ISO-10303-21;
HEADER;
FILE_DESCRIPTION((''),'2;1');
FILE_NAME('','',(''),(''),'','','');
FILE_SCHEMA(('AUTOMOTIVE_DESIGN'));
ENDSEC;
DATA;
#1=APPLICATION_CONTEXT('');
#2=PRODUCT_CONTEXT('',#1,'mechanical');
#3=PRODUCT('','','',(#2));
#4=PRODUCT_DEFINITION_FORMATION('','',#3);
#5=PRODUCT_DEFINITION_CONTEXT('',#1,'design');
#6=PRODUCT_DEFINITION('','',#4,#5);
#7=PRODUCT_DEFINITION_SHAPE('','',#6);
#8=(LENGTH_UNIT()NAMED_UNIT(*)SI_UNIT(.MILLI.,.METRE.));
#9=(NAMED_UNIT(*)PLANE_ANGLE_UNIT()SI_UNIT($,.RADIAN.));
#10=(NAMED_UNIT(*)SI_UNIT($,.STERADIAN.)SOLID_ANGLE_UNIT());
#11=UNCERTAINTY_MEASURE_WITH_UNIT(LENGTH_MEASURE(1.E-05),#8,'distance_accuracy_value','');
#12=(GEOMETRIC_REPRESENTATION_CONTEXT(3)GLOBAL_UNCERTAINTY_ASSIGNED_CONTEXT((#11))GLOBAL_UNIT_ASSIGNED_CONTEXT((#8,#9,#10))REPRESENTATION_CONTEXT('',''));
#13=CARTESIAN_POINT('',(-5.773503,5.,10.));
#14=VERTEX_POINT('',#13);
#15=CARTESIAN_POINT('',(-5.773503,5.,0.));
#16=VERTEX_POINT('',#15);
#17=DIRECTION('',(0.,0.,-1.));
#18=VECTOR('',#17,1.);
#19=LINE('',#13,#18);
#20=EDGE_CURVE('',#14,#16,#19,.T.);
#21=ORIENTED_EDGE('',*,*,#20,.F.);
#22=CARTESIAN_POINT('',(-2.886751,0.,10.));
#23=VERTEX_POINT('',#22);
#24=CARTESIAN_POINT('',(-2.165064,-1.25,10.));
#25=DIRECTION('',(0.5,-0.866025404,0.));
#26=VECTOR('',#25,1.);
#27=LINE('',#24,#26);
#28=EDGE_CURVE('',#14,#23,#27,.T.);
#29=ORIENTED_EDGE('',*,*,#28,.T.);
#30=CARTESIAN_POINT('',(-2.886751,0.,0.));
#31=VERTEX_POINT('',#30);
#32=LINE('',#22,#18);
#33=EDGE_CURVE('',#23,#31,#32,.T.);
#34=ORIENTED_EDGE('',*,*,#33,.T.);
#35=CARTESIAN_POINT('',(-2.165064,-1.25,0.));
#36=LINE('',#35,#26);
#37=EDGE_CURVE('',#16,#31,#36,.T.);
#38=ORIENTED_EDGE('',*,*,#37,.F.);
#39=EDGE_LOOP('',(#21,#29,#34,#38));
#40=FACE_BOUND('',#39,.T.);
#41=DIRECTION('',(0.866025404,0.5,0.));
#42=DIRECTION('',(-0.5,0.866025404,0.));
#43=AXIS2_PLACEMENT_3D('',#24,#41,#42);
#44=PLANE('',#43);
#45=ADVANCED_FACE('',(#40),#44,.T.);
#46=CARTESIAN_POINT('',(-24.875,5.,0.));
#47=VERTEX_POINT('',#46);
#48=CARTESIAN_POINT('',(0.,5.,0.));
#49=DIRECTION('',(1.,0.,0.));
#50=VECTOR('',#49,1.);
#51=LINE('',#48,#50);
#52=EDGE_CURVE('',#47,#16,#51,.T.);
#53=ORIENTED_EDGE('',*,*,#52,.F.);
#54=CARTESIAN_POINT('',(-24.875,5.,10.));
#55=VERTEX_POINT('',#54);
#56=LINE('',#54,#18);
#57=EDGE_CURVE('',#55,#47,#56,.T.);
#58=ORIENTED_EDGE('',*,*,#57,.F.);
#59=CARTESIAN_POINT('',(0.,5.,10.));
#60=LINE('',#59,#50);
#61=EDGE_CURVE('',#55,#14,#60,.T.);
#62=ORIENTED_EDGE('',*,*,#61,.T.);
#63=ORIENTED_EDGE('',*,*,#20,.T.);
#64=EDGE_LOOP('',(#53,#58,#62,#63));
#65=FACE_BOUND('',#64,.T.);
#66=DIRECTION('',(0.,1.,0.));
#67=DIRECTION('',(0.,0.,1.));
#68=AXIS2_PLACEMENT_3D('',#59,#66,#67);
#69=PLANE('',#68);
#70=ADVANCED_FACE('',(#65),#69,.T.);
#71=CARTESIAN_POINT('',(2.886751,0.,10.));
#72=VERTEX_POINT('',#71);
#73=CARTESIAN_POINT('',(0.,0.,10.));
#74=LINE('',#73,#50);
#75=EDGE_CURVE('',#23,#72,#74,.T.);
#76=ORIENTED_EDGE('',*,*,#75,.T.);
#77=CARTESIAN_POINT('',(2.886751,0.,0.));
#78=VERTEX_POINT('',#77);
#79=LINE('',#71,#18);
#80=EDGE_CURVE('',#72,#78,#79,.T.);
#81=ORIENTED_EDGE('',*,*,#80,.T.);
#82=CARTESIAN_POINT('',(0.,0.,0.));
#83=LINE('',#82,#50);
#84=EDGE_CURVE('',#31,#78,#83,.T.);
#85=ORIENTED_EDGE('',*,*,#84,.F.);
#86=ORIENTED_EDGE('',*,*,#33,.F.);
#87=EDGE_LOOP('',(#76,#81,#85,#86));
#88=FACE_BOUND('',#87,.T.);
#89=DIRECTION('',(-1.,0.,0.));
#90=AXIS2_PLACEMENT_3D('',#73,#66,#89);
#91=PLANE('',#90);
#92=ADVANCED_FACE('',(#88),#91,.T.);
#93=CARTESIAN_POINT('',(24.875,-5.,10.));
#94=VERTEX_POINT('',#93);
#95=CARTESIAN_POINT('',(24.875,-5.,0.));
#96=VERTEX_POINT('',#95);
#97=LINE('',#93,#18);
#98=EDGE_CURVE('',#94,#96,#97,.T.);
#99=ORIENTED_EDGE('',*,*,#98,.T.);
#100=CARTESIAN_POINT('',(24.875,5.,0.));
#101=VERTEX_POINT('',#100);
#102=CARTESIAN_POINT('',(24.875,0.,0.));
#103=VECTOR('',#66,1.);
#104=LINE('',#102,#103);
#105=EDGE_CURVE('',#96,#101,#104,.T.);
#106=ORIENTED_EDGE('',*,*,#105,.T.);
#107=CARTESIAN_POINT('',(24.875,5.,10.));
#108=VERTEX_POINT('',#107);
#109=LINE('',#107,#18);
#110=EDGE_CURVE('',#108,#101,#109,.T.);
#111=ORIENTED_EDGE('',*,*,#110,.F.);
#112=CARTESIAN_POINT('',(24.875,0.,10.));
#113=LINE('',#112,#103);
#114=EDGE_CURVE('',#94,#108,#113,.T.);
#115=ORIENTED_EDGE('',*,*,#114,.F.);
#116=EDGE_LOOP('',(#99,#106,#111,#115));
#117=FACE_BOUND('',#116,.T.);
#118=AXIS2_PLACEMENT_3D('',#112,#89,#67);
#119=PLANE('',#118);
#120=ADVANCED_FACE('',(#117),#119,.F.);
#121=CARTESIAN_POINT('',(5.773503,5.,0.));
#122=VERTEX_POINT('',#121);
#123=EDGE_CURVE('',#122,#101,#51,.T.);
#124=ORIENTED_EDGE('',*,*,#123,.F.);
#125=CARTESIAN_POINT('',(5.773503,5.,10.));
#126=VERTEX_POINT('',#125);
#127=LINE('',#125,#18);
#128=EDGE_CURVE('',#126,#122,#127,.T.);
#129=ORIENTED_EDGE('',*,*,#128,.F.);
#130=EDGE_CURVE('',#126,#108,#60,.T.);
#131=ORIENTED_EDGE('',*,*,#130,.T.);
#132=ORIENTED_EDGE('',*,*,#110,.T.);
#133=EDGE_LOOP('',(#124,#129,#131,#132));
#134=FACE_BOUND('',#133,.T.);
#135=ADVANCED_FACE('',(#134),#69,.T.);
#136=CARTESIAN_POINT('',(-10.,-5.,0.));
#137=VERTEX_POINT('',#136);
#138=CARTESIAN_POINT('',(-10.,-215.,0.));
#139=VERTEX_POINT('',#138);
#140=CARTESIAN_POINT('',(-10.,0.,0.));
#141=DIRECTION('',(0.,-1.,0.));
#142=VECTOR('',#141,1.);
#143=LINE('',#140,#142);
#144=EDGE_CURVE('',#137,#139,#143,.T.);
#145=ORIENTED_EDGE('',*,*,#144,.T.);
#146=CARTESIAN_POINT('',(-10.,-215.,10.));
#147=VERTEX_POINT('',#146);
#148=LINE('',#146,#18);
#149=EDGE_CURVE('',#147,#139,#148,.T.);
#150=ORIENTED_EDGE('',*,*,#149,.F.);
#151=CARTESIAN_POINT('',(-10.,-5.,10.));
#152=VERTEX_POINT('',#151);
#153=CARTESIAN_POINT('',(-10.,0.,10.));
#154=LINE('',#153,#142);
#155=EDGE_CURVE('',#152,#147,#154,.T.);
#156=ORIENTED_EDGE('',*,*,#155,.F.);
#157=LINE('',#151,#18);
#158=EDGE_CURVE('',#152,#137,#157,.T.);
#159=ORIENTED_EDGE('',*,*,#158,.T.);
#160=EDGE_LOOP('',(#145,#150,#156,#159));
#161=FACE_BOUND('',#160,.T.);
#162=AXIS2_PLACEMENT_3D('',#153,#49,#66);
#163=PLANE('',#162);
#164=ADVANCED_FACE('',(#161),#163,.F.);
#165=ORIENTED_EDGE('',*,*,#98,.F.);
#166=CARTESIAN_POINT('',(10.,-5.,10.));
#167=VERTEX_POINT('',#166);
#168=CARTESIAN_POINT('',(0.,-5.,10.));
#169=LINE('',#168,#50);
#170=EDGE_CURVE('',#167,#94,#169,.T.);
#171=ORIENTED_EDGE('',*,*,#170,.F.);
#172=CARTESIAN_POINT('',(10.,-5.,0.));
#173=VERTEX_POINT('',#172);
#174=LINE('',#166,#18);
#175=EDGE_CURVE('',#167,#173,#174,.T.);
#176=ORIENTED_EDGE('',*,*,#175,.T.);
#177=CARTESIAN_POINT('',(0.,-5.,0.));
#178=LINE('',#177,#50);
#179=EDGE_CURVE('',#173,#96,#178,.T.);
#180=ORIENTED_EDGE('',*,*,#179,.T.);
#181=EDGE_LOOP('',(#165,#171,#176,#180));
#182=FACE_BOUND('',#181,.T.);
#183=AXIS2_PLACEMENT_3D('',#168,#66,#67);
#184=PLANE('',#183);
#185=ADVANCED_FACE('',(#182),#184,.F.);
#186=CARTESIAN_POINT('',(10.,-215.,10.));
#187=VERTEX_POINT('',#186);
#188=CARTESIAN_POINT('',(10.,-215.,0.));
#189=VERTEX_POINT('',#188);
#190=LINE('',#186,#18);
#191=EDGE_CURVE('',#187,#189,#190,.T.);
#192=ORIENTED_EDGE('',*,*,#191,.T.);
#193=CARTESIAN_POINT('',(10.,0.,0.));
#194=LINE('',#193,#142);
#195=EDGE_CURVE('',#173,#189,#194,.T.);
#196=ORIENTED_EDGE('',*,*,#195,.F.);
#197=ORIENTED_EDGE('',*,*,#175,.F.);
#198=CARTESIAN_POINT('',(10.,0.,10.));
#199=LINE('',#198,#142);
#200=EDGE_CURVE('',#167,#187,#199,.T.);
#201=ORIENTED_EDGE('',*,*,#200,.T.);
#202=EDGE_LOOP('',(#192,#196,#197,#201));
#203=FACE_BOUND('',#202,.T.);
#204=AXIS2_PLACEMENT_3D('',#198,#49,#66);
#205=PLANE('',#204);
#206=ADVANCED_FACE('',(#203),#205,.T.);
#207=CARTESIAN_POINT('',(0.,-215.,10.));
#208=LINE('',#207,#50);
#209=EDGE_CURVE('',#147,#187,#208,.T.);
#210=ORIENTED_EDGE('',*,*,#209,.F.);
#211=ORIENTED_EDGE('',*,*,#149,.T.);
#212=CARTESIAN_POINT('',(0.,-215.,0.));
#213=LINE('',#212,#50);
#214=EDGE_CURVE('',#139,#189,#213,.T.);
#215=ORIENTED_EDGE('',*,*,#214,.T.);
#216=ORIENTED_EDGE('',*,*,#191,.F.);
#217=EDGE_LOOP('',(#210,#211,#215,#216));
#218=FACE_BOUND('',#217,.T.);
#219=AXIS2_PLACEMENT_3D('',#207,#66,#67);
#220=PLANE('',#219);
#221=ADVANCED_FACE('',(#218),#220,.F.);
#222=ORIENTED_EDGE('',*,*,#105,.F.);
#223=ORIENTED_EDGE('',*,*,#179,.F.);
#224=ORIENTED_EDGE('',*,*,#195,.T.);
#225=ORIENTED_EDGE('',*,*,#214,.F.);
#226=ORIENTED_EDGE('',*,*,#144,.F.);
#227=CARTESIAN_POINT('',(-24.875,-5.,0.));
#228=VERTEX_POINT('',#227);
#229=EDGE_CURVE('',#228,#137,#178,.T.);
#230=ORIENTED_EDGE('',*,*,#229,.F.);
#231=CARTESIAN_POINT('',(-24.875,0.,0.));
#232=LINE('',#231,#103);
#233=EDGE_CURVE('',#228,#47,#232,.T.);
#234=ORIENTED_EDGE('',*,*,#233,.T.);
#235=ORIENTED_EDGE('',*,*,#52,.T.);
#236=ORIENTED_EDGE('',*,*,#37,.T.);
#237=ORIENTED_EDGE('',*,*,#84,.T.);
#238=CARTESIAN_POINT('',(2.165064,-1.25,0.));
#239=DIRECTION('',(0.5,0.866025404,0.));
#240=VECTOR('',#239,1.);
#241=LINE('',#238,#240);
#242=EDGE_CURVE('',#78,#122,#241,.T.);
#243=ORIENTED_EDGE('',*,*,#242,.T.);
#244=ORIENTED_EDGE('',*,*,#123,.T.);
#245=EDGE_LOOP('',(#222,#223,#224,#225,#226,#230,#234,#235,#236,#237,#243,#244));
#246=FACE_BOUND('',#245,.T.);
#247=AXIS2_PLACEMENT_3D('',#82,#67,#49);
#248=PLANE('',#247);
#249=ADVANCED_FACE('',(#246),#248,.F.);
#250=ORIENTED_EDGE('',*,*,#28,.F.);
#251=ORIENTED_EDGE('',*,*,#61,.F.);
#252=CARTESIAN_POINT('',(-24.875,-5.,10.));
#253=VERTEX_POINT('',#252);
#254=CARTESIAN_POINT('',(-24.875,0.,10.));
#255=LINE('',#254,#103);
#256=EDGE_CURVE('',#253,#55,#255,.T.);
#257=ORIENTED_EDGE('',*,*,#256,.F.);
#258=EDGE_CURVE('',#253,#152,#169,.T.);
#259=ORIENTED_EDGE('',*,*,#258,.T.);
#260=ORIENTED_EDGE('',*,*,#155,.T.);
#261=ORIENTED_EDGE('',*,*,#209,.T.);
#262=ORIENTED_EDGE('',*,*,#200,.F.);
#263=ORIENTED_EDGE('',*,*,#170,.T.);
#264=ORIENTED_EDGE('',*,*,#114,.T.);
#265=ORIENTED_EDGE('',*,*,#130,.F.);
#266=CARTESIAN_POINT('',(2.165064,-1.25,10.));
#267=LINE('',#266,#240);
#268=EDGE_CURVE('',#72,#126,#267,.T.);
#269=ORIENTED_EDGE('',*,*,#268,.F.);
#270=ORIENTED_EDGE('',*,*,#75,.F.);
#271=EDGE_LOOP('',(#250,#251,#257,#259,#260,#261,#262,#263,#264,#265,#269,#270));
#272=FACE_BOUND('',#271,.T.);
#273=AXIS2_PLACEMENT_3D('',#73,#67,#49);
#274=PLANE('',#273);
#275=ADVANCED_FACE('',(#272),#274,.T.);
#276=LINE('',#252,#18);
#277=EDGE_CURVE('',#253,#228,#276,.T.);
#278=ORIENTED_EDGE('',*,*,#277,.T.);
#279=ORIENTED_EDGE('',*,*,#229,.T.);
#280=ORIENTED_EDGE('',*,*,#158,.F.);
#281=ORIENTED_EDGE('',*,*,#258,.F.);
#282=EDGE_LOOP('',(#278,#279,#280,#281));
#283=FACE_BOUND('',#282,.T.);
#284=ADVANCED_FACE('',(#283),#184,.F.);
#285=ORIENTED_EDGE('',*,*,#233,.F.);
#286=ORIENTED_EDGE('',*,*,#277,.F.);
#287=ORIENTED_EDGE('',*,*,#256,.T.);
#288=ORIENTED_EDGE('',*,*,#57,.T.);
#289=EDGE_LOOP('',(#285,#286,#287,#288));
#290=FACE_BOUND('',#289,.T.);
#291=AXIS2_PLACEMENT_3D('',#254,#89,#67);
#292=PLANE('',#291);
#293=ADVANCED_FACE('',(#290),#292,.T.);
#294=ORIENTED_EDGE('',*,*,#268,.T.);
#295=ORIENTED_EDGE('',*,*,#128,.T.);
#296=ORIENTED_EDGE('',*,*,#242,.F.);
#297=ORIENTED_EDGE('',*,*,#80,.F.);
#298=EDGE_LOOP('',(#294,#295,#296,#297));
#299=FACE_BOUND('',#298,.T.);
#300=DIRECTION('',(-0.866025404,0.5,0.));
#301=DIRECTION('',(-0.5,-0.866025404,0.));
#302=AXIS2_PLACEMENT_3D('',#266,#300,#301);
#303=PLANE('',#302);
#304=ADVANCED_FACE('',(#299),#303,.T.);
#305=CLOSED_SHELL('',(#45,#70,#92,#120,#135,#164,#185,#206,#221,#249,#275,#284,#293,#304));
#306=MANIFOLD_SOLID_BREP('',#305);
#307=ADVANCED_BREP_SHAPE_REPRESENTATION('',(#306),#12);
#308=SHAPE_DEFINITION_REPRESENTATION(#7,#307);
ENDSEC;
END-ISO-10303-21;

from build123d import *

# Parameters (mm, degrees)
SKETCH1_W           = 20
SKETCH1_H           = 200
SKETCH1_H_2         = 10
SKETCH1_W_2         = 14.875
BOSS_EXTRUDE1_DEPTH = 10


with BuildPart() as part:
    # Sketch1 → Boss-Extrude1 (new body)
    with BuildSketch(Plane.XY):
        with Locations((0, -115)):
            Rectangle(SKETCH1_W, SKETCH1_H)
        with Locations((0, -10)):
            Rectangle(SKETCH1_W, SKETCH1_H_2)
        Polygon((-10, 5), (-10, -5), (10, -5), (10, 5), (5.773502692, 5), (2.886751346, 0), (-2.886751346, 0), (-5.773502692, 5), align=None)
        with Locations((-17.4375, 0)):
            Rectangle(SKETCH1_W_2, SKETCH1_H_2)
        with Locations((17.4375, 0)):
            Rectangle(SKETCH1_W_2, SKETCH1_H_2)
    extrude(amount=BOSS_EXTRUDE1_DEPTH)


solid = part.part
